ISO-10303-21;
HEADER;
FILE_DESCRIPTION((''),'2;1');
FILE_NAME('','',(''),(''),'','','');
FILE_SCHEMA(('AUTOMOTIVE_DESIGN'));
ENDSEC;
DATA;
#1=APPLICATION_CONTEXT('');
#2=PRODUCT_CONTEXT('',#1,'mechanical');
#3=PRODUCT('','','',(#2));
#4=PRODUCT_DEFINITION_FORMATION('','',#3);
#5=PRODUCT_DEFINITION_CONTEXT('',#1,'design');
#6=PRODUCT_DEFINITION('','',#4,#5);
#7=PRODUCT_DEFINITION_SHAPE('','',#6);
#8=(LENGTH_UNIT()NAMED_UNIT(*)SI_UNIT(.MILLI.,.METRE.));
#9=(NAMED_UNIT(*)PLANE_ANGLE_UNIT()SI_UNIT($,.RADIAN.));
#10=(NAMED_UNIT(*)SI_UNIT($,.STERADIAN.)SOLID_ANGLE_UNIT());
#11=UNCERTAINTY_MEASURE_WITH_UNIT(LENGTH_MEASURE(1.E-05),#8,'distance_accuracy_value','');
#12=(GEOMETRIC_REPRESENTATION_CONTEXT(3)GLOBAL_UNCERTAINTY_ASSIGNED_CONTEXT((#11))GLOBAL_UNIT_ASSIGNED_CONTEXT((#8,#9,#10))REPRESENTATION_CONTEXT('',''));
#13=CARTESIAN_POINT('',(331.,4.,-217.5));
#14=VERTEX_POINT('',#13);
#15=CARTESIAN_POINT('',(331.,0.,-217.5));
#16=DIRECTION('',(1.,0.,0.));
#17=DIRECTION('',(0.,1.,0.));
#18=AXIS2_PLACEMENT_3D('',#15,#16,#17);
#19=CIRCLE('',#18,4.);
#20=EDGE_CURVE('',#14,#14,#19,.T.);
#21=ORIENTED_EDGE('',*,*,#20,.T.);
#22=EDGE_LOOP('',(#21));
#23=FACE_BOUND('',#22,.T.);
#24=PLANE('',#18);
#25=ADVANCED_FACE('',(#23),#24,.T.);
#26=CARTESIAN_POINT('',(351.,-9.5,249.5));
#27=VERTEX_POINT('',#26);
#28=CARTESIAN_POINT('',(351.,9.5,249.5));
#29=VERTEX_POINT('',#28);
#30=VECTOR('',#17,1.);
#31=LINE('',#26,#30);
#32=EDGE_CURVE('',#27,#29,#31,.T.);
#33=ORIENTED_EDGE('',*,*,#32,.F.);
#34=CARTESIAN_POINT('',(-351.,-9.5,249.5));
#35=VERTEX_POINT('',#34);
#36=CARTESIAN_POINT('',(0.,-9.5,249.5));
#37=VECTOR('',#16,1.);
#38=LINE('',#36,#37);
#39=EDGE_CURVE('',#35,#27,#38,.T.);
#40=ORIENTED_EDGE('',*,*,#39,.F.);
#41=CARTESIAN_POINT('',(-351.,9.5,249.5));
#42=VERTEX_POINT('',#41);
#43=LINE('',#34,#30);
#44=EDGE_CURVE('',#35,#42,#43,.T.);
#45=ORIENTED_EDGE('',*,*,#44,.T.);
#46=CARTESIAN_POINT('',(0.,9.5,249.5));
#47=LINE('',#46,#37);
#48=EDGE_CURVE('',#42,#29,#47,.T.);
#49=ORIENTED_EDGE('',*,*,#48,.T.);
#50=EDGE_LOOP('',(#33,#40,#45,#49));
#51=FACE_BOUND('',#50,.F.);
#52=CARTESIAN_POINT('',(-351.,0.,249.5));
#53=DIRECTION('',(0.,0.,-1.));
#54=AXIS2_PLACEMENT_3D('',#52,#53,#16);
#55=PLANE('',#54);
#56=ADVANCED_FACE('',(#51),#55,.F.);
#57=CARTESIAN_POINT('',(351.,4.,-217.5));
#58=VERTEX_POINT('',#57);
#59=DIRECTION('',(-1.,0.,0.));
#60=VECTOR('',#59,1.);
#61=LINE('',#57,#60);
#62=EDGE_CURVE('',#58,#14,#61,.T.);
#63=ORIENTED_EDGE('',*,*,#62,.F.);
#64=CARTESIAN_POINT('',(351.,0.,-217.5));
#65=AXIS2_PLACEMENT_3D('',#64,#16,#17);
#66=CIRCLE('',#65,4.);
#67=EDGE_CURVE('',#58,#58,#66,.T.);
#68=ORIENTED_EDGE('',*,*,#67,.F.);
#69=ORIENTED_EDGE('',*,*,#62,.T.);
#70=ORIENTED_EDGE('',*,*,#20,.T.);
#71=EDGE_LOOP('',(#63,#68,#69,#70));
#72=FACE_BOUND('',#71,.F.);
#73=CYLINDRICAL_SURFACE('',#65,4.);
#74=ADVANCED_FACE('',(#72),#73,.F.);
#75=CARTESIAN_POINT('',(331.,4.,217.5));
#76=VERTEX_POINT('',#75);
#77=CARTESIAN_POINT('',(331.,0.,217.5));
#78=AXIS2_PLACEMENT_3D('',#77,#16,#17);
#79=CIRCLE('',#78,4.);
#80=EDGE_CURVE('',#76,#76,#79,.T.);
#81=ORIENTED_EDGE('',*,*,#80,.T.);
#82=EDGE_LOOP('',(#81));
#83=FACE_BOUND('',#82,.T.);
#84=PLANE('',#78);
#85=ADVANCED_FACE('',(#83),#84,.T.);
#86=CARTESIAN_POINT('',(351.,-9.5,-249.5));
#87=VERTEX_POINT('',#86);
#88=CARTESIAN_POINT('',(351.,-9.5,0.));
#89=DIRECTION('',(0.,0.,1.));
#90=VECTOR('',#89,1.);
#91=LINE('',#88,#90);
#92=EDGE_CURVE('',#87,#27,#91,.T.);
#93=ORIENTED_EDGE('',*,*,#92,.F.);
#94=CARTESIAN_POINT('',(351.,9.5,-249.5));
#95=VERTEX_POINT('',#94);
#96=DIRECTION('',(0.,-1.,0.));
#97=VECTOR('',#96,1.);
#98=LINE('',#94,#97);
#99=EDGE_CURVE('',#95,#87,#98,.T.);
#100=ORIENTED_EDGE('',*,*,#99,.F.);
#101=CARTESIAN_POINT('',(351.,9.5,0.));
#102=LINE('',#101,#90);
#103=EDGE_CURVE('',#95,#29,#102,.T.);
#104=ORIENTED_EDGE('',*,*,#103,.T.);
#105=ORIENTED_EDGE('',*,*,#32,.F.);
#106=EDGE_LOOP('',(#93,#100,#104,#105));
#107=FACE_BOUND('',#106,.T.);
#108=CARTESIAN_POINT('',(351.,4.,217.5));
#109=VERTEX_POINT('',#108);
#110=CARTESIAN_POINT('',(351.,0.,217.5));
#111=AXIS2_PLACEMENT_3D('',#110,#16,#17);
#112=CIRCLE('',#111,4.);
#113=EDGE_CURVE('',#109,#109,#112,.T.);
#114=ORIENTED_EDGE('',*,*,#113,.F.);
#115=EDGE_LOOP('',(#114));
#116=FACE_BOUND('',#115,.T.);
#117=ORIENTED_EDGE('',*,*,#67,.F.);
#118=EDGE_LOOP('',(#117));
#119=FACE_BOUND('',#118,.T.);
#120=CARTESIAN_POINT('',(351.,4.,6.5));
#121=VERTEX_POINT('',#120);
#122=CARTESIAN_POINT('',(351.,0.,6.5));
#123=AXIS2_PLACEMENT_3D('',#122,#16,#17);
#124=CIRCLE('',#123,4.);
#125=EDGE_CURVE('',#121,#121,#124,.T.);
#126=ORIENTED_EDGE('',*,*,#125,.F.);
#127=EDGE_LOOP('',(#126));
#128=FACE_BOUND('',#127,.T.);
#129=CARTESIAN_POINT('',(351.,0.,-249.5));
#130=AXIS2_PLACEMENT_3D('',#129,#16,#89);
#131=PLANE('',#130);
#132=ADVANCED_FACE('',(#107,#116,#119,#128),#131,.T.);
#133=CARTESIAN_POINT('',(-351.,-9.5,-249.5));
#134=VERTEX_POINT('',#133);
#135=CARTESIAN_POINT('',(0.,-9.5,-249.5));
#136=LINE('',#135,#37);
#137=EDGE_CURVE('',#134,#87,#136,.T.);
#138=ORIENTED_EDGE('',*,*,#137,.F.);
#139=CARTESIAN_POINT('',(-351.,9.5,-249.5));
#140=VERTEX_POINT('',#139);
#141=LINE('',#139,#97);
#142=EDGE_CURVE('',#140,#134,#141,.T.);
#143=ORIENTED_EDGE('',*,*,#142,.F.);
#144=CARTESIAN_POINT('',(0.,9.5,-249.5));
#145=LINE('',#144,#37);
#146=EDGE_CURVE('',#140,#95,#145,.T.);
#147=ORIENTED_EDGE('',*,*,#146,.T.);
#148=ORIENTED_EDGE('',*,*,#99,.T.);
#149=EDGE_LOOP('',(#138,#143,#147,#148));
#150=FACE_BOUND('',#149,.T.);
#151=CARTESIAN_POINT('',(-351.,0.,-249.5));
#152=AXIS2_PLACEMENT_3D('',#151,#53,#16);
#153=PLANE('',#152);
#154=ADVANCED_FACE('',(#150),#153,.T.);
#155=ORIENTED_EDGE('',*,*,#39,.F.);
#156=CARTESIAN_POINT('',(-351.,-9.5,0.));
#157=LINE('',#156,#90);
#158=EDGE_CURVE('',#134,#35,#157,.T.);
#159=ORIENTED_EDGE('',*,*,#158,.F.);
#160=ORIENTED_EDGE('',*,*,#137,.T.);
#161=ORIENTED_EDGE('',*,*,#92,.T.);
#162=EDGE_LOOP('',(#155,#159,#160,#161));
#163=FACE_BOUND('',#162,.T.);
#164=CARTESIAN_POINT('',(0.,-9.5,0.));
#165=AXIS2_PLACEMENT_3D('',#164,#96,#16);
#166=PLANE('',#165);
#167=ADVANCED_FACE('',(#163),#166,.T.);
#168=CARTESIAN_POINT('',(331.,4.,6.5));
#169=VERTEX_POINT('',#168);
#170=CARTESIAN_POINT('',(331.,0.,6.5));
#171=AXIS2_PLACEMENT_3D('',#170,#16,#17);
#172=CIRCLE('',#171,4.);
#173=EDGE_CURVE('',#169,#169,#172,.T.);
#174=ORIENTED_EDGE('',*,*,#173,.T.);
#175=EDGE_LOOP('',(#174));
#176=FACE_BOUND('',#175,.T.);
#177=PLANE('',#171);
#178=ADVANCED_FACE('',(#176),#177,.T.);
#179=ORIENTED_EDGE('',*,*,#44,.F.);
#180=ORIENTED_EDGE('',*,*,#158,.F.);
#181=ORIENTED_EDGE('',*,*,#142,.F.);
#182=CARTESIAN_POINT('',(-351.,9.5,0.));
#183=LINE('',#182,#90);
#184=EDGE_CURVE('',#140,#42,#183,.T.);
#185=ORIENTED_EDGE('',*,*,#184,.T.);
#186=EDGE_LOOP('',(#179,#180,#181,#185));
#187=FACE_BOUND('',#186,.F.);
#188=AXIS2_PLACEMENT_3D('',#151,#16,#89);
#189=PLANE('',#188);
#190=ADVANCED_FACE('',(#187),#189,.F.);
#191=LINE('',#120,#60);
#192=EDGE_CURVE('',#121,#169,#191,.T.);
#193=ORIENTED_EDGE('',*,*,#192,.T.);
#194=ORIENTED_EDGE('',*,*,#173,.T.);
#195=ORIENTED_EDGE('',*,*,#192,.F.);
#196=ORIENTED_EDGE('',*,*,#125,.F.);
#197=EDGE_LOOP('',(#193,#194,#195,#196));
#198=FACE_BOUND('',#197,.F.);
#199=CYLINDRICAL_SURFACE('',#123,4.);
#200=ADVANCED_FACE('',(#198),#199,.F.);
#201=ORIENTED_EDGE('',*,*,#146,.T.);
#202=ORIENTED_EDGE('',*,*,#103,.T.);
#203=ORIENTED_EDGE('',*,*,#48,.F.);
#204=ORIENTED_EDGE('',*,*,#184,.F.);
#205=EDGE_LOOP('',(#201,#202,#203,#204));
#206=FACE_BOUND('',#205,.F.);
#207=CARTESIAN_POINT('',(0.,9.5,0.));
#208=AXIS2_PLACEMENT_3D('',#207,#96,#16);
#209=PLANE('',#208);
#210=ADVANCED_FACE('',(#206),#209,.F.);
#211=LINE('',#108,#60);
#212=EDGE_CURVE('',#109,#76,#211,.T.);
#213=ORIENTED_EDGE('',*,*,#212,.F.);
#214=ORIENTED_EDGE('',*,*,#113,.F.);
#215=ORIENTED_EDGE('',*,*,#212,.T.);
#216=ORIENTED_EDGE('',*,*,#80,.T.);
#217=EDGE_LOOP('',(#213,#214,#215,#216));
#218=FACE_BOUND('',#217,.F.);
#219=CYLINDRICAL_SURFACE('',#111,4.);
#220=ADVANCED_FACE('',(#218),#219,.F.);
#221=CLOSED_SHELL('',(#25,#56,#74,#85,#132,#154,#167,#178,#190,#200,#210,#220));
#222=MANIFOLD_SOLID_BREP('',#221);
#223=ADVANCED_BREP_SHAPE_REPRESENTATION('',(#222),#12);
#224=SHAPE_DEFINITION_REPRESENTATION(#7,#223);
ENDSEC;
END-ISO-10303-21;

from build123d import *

# Parameters (mm, degrees)
F0_W     = 702
F0_H     = 499
F1_DEPTH = 9.5
F2_R     = 4
F3_DEPTH = 20


with BuildPart() as f1:
    # F0 (on Front) → F1 (new body, symmetric)
    with BuildSketch(Plane.XZ):
        Rectangle(F0_W, F0_H)
    extrude(amount=F1_DEPTH, both=True)

    # F2 (on face) → F3 (cut)
    with BuildSketch(Plane.YZ.offset(351)):
        with Locations((0, 217.5)):
            Circle(F2_R)
        with Locations((0, 6.5)):
            Circle(F2_R)
        with Locations((0, -217.5)):
            Circle(F2_R)
    extrude(amount=-F3_DEPTH, mode=Mode.SUBTRACT)


solid = f1.part
